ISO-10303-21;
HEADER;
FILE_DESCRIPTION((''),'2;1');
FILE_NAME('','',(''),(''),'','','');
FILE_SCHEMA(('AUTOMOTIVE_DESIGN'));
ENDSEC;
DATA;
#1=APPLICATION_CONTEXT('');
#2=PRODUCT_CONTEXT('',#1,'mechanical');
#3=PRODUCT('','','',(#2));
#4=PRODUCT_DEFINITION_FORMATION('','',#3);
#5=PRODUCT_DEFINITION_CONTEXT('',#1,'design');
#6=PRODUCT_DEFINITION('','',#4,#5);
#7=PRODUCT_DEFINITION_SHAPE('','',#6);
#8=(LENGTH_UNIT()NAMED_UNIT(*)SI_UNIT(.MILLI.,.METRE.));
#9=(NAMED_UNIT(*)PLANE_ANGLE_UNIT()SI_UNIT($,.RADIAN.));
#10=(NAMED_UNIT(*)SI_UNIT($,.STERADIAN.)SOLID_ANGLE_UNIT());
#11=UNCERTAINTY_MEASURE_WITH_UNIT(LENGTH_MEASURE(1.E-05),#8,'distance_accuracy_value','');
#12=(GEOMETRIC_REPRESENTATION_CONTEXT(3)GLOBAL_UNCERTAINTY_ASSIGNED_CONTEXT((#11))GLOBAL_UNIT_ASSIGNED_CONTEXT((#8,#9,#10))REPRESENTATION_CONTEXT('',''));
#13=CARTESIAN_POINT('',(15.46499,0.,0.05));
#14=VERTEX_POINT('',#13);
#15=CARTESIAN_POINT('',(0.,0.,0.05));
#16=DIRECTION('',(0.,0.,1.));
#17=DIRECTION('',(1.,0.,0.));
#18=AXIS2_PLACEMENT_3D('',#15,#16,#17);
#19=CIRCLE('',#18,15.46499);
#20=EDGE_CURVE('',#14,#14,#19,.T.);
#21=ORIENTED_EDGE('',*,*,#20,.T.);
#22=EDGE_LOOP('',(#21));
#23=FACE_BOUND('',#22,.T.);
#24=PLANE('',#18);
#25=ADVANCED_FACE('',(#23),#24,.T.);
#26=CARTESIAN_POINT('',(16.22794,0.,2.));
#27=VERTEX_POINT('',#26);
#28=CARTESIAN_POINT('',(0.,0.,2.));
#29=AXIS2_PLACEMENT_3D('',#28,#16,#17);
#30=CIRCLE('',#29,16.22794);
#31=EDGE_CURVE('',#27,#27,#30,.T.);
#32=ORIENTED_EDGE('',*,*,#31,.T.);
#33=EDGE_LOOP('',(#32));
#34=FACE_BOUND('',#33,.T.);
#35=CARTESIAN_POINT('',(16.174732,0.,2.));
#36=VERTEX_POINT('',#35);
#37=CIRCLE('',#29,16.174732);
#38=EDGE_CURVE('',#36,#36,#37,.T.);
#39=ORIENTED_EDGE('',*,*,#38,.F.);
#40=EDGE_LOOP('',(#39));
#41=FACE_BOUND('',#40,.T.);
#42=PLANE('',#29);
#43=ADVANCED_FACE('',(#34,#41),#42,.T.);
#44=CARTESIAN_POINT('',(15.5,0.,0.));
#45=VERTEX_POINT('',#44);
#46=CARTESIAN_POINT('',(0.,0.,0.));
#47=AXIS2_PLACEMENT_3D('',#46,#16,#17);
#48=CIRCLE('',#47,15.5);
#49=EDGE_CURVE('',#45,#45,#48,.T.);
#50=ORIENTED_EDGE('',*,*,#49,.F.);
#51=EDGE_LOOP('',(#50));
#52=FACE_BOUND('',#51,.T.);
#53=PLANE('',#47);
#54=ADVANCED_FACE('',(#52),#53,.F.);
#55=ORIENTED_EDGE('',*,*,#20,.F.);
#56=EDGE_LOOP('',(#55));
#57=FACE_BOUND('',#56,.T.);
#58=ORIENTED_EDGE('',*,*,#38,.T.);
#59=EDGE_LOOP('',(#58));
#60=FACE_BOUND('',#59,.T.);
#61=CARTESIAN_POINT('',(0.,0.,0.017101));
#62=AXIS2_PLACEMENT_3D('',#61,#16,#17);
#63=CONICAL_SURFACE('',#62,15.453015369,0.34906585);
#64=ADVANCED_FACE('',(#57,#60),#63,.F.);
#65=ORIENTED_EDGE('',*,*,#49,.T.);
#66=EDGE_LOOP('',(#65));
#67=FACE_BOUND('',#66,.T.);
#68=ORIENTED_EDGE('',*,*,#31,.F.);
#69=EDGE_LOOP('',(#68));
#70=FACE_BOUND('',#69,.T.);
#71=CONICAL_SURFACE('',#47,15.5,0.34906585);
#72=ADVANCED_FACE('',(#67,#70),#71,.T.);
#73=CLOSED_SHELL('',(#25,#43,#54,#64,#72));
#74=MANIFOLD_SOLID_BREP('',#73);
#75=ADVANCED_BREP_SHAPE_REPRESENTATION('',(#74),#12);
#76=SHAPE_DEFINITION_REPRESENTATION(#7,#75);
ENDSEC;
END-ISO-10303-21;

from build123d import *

# Parameters (mm, degrees)
SKETCH1_R          = 15.5
BASE_EXTRUDE_DEPTH = 2
BASE_EXTRUDE_DRAFT = -20
SHELL1_T           = -0.05


with BuildPart() as part:
    # Sketch1 → Base-Extrude (with draft: the straight prism first)
    with BuildSketch(Plane.XY):
        Circle(SKETCH1_R)
    extrude(amount=BASE_EXTRUDE_DEPTH)
    # Base-Extrude: the draft: its side faces are tilted about the plane it starts from
    base_extrude_sides = [part.faces().sort_by_distance(p)[0] for p in [
        (-15.5, 0, 1),
    ]]
    draft(base_extrude_sides, Plane.XY, BASE_EXTRUDE_DRAFT)

    # Shell1
    shell1_openings = [part.faces().sort_by_distance(p)[0] for p in [
        (0, 0, 2),
    ]]
    offset(amount=SHELL1_T, openings=shell1_openings, kind=Kind.INTERSECTION)


solid = part.part
